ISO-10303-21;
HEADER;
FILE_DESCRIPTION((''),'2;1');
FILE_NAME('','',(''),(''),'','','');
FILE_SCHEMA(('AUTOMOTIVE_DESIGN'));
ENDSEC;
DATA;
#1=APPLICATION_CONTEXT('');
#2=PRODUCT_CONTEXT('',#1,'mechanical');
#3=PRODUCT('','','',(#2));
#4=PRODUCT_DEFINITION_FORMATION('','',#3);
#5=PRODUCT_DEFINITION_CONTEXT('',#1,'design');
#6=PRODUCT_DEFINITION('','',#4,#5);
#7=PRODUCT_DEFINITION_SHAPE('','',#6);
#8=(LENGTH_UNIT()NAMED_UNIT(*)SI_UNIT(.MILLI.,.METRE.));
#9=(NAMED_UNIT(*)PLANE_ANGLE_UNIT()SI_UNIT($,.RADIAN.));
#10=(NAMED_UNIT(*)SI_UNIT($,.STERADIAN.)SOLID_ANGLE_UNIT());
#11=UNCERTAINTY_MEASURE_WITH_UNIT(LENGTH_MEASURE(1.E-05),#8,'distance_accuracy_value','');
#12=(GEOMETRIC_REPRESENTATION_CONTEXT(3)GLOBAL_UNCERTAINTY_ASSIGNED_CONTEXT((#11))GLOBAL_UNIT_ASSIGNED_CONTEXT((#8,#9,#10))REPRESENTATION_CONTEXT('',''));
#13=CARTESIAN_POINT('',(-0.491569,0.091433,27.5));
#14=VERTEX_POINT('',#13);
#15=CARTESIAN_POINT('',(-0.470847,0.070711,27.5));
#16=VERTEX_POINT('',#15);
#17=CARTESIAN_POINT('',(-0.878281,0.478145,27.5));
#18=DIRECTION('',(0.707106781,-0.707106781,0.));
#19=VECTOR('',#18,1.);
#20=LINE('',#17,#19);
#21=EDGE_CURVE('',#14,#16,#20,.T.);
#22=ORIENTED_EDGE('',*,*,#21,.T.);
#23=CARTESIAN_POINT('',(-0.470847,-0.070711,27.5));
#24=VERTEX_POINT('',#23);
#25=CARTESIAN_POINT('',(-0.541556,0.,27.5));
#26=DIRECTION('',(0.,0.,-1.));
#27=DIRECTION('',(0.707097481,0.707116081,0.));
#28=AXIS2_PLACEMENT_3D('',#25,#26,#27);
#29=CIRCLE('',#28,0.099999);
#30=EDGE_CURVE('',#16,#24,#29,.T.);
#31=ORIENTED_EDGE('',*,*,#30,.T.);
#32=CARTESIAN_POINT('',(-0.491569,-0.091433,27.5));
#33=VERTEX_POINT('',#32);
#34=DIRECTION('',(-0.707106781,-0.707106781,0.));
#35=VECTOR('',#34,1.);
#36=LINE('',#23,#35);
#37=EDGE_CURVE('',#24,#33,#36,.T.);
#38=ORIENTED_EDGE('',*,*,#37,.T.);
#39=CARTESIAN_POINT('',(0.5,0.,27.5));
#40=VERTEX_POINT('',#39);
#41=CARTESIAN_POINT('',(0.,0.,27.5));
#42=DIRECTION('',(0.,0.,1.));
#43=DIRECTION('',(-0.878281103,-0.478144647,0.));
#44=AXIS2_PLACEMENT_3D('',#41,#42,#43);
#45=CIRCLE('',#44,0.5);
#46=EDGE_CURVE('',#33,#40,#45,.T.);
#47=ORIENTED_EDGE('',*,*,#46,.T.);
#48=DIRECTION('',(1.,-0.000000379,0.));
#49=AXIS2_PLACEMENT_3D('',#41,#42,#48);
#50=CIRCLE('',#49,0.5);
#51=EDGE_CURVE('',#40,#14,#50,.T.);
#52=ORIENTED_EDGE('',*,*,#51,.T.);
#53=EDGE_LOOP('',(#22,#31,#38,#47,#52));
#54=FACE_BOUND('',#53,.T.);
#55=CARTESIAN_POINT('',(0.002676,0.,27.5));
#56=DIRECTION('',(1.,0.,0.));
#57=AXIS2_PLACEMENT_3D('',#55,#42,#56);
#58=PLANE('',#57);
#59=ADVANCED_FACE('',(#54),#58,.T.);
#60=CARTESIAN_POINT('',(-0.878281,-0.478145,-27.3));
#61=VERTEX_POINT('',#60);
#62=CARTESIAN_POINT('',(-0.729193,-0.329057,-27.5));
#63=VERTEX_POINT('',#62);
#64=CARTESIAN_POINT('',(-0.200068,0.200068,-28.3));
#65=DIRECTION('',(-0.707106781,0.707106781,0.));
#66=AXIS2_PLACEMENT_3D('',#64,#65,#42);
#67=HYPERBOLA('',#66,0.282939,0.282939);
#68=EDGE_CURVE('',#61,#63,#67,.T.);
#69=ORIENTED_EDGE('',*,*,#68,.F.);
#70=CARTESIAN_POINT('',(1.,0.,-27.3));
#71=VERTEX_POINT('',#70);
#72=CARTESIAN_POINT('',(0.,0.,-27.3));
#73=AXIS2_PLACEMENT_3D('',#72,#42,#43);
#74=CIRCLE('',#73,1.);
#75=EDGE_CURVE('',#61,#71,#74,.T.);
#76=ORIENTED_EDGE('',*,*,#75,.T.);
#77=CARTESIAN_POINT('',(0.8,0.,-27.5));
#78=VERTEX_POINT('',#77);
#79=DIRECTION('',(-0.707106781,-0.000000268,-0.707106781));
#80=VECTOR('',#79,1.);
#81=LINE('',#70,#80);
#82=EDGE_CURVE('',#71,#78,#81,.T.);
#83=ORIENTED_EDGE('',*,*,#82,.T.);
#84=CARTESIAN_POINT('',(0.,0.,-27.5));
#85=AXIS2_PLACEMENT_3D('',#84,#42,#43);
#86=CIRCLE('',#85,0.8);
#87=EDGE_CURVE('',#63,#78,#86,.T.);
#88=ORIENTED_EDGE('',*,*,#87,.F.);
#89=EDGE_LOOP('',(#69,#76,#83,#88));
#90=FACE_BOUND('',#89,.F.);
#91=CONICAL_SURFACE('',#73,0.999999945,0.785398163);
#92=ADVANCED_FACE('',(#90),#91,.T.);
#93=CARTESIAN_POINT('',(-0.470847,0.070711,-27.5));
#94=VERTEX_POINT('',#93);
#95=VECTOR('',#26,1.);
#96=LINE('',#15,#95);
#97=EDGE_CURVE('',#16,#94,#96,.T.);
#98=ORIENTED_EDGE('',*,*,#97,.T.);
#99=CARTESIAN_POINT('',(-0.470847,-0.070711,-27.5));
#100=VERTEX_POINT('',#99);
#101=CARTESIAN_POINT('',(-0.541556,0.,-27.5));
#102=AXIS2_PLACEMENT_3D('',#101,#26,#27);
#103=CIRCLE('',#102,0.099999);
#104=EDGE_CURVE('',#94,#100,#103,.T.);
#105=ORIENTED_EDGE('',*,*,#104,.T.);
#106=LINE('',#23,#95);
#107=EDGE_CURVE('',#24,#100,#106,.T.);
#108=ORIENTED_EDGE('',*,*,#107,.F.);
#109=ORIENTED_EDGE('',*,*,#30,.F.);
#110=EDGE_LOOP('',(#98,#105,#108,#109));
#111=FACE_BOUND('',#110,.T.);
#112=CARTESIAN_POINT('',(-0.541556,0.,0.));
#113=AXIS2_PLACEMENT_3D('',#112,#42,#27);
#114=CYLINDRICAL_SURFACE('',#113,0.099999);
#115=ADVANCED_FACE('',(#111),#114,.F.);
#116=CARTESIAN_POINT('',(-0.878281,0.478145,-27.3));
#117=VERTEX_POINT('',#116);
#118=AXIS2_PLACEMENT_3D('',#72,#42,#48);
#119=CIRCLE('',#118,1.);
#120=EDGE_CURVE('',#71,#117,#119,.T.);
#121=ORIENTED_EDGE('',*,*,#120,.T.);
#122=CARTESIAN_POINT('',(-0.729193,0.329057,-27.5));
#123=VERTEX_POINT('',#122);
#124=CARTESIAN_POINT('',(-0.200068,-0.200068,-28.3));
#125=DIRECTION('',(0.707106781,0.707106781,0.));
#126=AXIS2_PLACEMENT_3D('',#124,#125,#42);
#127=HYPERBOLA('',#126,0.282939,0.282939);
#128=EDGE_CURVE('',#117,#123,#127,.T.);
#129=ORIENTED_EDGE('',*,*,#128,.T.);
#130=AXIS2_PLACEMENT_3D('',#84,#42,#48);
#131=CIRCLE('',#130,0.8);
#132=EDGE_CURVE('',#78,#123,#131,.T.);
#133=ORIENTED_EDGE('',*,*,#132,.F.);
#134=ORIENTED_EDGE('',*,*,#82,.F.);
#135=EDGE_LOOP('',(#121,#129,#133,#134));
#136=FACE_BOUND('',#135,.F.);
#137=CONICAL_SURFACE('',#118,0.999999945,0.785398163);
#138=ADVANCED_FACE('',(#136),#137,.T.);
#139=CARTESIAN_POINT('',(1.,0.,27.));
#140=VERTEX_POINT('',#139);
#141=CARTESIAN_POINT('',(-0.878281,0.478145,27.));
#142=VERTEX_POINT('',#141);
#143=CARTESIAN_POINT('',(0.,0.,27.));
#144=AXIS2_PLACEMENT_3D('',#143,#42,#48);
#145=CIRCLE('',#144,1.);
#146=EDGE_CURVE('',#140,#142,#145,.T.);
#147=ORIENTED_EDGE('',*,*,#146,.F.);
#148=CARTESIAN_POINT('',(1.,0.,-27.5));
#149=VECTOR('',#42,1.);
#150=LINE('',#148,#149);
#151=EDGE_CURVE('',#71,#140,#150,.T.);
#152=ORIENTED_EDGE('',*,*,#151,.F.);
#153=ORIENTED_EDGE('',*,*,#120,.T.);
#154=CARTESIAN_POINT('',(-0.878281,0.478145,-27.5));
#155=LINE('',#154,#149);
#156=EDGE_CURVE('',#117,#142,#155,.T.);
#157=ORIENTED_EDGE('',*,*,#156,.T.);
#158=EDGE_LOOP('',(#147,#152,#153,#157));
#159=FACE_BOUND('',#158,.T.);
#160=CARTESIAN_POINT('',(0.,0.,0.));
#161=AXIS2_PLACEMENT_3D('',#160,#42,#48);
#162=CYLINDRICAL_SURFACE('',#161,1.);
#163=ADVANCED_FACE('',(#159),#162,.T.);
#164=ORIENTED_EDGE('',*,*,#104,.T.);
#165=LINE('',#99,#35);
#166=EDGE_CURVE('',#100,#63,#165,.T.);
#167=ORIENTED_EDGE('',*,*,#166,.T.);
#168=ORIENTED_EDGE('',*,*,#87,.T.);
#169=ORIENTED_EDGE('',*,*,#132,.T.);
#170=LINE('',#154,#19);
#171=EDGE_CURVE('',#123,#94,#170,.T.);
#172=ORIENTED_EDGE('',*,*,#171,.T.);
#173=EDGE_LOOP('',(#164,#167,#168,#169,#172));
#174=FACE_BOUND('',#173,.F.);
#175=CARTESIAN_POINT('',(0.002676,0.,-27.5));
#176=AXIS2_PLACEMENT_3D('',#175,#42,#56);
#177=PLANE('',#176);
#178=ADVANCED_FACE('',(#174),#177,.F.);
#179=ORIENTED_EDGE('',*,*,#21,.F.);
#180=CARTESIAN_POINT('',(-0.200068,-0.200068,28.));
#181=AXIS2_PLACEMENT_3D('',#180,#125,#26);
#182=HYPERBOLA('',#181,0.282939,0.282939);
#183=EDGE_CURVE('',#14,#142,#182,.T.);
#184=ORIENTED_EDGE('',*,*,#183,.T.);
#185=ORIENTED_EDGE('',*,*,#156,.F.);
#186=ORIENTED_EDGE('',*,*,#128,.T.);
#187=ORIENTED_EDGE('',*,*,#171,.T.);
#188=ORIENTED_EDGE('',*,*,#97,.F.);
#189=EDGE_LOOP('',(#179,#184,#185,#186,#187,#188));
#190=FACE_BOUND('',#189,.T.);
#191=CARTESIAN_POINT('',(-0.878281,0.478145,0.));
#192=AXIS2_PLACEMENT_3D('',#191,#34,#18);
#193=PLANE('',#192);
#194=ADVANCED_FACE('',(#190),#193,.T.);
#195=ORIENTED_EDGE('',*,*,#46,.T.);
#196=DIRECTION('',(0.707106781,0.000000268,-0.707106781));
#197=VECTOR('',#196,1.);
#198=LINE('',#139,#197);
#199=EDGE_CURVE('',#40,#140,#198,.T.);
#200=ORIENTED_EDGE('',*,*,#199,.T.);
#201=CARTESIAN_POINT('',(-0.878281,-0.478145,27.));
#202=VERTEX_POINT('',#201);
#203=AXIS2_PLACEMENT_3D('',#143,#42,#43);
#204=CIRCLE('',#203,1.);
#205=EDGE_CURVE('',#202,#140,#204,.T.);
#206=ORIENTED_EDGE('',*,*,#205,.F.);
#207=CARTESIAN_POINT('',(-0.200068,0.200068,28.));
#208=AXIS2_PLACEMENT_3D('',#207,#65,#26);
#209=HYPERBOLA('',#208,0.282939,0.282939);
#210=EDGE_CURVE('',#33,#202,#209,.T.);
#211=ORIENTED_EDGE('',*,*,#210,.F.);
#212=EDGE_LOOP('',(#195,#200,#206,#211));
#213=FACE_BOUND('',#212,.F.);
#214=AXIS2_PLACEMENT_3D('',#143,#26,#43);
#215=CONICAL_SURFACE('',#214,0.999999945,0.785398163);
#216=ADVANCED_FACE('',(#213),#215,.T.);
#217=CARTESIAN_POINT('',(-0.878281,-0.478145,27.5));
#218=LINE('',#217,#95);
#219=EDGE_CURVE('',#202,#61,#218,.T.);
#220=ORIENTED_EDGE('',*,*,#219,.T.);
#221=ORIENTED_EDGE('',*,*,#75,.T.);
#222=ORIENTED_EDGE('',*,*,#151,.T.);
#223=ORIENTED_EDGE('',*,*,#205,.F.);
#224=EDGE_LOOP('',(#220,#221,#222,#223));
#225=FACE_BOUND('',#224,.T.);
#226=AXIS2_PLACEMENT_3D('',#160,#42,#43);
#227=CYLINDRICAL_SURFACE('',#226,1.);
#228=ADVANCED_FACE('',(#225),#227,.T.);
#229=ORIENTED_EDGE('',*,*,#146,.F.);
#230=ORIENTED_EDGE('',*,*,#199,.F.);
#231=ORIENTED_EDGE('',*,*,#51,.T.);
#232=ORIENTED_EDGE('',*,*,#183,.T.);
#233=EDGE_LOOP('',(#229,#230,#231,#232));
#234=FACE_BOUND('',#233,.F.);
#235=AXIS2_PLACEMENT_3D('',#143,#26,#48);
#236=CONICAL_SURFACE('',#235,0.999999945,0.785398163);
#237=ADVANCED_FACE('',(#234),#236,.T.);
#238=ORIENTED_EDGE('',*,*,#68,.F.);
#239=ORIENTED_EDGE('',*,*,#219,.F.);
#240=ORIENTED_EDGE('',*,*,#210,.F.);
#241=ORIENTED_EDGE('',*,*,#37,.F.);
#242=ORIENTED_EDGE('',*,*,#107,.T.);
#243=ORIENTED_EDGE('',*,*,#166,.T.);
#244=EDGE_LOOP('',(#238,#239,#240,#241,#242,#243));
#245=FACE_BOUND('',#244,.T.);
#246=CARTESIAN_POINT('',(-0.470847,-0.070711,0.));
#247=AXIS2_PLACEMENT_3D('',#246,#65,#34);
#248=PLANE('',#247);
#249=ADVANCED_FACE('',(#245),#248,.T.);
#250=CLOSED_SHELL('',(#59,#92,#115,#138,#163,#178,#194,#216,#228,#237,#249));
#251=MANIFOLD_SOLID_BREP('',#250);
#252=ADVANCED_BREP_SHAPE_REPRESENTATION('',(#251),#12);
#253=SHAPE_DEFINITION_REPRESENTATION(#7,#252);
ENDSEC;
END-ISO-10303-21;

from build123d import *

# Parameters (mm, degrees)
F1_DEPTH = 27.5
F2_SIZE  = 0.5
F3_SIZE  = 0.2


with BuildPart() as f1:
    # F0 (on Top) → F1 (new body, symmetric)
    with BuildSketch(Plane.XY):
        with BuildLine():
            ThreePointArc((-0.878281, -0.478145), (0.246697, -0.969093), (1, 0))
            ThreePointArc((1, 0), (0.246697, 0.969093), (-0.878281, 0.478145))
            Line((-0.878281, 0.478145), (-0.470847, 0.070711))
            ThreePointArc((-0.470847, 0.070711), (-0.441557, 0), (-0.470847, -0.070711))
            Line((-0.470847, -0.070711), (-0.878281, -0.478145))
        make_face()
    extrude(amount=F1_DEPTH, both=True)

    # F2
    f2_edges = [f1.edges().sort_by_distance(p)[0] for p in [
        (0.246697, 0.969093, 27.5),
        (0.246697, -0.969093, 27.5),
    ]]
    chamfer(f2_edges, length=F2_SIZE)

    # F3
    f3_edges = [f1.edges().sort_by_distance(p)[0] for p in [
        (0.246697, -0.969093, -27.5),
        (0.246697, 0.969093, -27.5),
    ]]
    chamfer(f3_edges, length=F3_SIZE)


solid = f1.part
